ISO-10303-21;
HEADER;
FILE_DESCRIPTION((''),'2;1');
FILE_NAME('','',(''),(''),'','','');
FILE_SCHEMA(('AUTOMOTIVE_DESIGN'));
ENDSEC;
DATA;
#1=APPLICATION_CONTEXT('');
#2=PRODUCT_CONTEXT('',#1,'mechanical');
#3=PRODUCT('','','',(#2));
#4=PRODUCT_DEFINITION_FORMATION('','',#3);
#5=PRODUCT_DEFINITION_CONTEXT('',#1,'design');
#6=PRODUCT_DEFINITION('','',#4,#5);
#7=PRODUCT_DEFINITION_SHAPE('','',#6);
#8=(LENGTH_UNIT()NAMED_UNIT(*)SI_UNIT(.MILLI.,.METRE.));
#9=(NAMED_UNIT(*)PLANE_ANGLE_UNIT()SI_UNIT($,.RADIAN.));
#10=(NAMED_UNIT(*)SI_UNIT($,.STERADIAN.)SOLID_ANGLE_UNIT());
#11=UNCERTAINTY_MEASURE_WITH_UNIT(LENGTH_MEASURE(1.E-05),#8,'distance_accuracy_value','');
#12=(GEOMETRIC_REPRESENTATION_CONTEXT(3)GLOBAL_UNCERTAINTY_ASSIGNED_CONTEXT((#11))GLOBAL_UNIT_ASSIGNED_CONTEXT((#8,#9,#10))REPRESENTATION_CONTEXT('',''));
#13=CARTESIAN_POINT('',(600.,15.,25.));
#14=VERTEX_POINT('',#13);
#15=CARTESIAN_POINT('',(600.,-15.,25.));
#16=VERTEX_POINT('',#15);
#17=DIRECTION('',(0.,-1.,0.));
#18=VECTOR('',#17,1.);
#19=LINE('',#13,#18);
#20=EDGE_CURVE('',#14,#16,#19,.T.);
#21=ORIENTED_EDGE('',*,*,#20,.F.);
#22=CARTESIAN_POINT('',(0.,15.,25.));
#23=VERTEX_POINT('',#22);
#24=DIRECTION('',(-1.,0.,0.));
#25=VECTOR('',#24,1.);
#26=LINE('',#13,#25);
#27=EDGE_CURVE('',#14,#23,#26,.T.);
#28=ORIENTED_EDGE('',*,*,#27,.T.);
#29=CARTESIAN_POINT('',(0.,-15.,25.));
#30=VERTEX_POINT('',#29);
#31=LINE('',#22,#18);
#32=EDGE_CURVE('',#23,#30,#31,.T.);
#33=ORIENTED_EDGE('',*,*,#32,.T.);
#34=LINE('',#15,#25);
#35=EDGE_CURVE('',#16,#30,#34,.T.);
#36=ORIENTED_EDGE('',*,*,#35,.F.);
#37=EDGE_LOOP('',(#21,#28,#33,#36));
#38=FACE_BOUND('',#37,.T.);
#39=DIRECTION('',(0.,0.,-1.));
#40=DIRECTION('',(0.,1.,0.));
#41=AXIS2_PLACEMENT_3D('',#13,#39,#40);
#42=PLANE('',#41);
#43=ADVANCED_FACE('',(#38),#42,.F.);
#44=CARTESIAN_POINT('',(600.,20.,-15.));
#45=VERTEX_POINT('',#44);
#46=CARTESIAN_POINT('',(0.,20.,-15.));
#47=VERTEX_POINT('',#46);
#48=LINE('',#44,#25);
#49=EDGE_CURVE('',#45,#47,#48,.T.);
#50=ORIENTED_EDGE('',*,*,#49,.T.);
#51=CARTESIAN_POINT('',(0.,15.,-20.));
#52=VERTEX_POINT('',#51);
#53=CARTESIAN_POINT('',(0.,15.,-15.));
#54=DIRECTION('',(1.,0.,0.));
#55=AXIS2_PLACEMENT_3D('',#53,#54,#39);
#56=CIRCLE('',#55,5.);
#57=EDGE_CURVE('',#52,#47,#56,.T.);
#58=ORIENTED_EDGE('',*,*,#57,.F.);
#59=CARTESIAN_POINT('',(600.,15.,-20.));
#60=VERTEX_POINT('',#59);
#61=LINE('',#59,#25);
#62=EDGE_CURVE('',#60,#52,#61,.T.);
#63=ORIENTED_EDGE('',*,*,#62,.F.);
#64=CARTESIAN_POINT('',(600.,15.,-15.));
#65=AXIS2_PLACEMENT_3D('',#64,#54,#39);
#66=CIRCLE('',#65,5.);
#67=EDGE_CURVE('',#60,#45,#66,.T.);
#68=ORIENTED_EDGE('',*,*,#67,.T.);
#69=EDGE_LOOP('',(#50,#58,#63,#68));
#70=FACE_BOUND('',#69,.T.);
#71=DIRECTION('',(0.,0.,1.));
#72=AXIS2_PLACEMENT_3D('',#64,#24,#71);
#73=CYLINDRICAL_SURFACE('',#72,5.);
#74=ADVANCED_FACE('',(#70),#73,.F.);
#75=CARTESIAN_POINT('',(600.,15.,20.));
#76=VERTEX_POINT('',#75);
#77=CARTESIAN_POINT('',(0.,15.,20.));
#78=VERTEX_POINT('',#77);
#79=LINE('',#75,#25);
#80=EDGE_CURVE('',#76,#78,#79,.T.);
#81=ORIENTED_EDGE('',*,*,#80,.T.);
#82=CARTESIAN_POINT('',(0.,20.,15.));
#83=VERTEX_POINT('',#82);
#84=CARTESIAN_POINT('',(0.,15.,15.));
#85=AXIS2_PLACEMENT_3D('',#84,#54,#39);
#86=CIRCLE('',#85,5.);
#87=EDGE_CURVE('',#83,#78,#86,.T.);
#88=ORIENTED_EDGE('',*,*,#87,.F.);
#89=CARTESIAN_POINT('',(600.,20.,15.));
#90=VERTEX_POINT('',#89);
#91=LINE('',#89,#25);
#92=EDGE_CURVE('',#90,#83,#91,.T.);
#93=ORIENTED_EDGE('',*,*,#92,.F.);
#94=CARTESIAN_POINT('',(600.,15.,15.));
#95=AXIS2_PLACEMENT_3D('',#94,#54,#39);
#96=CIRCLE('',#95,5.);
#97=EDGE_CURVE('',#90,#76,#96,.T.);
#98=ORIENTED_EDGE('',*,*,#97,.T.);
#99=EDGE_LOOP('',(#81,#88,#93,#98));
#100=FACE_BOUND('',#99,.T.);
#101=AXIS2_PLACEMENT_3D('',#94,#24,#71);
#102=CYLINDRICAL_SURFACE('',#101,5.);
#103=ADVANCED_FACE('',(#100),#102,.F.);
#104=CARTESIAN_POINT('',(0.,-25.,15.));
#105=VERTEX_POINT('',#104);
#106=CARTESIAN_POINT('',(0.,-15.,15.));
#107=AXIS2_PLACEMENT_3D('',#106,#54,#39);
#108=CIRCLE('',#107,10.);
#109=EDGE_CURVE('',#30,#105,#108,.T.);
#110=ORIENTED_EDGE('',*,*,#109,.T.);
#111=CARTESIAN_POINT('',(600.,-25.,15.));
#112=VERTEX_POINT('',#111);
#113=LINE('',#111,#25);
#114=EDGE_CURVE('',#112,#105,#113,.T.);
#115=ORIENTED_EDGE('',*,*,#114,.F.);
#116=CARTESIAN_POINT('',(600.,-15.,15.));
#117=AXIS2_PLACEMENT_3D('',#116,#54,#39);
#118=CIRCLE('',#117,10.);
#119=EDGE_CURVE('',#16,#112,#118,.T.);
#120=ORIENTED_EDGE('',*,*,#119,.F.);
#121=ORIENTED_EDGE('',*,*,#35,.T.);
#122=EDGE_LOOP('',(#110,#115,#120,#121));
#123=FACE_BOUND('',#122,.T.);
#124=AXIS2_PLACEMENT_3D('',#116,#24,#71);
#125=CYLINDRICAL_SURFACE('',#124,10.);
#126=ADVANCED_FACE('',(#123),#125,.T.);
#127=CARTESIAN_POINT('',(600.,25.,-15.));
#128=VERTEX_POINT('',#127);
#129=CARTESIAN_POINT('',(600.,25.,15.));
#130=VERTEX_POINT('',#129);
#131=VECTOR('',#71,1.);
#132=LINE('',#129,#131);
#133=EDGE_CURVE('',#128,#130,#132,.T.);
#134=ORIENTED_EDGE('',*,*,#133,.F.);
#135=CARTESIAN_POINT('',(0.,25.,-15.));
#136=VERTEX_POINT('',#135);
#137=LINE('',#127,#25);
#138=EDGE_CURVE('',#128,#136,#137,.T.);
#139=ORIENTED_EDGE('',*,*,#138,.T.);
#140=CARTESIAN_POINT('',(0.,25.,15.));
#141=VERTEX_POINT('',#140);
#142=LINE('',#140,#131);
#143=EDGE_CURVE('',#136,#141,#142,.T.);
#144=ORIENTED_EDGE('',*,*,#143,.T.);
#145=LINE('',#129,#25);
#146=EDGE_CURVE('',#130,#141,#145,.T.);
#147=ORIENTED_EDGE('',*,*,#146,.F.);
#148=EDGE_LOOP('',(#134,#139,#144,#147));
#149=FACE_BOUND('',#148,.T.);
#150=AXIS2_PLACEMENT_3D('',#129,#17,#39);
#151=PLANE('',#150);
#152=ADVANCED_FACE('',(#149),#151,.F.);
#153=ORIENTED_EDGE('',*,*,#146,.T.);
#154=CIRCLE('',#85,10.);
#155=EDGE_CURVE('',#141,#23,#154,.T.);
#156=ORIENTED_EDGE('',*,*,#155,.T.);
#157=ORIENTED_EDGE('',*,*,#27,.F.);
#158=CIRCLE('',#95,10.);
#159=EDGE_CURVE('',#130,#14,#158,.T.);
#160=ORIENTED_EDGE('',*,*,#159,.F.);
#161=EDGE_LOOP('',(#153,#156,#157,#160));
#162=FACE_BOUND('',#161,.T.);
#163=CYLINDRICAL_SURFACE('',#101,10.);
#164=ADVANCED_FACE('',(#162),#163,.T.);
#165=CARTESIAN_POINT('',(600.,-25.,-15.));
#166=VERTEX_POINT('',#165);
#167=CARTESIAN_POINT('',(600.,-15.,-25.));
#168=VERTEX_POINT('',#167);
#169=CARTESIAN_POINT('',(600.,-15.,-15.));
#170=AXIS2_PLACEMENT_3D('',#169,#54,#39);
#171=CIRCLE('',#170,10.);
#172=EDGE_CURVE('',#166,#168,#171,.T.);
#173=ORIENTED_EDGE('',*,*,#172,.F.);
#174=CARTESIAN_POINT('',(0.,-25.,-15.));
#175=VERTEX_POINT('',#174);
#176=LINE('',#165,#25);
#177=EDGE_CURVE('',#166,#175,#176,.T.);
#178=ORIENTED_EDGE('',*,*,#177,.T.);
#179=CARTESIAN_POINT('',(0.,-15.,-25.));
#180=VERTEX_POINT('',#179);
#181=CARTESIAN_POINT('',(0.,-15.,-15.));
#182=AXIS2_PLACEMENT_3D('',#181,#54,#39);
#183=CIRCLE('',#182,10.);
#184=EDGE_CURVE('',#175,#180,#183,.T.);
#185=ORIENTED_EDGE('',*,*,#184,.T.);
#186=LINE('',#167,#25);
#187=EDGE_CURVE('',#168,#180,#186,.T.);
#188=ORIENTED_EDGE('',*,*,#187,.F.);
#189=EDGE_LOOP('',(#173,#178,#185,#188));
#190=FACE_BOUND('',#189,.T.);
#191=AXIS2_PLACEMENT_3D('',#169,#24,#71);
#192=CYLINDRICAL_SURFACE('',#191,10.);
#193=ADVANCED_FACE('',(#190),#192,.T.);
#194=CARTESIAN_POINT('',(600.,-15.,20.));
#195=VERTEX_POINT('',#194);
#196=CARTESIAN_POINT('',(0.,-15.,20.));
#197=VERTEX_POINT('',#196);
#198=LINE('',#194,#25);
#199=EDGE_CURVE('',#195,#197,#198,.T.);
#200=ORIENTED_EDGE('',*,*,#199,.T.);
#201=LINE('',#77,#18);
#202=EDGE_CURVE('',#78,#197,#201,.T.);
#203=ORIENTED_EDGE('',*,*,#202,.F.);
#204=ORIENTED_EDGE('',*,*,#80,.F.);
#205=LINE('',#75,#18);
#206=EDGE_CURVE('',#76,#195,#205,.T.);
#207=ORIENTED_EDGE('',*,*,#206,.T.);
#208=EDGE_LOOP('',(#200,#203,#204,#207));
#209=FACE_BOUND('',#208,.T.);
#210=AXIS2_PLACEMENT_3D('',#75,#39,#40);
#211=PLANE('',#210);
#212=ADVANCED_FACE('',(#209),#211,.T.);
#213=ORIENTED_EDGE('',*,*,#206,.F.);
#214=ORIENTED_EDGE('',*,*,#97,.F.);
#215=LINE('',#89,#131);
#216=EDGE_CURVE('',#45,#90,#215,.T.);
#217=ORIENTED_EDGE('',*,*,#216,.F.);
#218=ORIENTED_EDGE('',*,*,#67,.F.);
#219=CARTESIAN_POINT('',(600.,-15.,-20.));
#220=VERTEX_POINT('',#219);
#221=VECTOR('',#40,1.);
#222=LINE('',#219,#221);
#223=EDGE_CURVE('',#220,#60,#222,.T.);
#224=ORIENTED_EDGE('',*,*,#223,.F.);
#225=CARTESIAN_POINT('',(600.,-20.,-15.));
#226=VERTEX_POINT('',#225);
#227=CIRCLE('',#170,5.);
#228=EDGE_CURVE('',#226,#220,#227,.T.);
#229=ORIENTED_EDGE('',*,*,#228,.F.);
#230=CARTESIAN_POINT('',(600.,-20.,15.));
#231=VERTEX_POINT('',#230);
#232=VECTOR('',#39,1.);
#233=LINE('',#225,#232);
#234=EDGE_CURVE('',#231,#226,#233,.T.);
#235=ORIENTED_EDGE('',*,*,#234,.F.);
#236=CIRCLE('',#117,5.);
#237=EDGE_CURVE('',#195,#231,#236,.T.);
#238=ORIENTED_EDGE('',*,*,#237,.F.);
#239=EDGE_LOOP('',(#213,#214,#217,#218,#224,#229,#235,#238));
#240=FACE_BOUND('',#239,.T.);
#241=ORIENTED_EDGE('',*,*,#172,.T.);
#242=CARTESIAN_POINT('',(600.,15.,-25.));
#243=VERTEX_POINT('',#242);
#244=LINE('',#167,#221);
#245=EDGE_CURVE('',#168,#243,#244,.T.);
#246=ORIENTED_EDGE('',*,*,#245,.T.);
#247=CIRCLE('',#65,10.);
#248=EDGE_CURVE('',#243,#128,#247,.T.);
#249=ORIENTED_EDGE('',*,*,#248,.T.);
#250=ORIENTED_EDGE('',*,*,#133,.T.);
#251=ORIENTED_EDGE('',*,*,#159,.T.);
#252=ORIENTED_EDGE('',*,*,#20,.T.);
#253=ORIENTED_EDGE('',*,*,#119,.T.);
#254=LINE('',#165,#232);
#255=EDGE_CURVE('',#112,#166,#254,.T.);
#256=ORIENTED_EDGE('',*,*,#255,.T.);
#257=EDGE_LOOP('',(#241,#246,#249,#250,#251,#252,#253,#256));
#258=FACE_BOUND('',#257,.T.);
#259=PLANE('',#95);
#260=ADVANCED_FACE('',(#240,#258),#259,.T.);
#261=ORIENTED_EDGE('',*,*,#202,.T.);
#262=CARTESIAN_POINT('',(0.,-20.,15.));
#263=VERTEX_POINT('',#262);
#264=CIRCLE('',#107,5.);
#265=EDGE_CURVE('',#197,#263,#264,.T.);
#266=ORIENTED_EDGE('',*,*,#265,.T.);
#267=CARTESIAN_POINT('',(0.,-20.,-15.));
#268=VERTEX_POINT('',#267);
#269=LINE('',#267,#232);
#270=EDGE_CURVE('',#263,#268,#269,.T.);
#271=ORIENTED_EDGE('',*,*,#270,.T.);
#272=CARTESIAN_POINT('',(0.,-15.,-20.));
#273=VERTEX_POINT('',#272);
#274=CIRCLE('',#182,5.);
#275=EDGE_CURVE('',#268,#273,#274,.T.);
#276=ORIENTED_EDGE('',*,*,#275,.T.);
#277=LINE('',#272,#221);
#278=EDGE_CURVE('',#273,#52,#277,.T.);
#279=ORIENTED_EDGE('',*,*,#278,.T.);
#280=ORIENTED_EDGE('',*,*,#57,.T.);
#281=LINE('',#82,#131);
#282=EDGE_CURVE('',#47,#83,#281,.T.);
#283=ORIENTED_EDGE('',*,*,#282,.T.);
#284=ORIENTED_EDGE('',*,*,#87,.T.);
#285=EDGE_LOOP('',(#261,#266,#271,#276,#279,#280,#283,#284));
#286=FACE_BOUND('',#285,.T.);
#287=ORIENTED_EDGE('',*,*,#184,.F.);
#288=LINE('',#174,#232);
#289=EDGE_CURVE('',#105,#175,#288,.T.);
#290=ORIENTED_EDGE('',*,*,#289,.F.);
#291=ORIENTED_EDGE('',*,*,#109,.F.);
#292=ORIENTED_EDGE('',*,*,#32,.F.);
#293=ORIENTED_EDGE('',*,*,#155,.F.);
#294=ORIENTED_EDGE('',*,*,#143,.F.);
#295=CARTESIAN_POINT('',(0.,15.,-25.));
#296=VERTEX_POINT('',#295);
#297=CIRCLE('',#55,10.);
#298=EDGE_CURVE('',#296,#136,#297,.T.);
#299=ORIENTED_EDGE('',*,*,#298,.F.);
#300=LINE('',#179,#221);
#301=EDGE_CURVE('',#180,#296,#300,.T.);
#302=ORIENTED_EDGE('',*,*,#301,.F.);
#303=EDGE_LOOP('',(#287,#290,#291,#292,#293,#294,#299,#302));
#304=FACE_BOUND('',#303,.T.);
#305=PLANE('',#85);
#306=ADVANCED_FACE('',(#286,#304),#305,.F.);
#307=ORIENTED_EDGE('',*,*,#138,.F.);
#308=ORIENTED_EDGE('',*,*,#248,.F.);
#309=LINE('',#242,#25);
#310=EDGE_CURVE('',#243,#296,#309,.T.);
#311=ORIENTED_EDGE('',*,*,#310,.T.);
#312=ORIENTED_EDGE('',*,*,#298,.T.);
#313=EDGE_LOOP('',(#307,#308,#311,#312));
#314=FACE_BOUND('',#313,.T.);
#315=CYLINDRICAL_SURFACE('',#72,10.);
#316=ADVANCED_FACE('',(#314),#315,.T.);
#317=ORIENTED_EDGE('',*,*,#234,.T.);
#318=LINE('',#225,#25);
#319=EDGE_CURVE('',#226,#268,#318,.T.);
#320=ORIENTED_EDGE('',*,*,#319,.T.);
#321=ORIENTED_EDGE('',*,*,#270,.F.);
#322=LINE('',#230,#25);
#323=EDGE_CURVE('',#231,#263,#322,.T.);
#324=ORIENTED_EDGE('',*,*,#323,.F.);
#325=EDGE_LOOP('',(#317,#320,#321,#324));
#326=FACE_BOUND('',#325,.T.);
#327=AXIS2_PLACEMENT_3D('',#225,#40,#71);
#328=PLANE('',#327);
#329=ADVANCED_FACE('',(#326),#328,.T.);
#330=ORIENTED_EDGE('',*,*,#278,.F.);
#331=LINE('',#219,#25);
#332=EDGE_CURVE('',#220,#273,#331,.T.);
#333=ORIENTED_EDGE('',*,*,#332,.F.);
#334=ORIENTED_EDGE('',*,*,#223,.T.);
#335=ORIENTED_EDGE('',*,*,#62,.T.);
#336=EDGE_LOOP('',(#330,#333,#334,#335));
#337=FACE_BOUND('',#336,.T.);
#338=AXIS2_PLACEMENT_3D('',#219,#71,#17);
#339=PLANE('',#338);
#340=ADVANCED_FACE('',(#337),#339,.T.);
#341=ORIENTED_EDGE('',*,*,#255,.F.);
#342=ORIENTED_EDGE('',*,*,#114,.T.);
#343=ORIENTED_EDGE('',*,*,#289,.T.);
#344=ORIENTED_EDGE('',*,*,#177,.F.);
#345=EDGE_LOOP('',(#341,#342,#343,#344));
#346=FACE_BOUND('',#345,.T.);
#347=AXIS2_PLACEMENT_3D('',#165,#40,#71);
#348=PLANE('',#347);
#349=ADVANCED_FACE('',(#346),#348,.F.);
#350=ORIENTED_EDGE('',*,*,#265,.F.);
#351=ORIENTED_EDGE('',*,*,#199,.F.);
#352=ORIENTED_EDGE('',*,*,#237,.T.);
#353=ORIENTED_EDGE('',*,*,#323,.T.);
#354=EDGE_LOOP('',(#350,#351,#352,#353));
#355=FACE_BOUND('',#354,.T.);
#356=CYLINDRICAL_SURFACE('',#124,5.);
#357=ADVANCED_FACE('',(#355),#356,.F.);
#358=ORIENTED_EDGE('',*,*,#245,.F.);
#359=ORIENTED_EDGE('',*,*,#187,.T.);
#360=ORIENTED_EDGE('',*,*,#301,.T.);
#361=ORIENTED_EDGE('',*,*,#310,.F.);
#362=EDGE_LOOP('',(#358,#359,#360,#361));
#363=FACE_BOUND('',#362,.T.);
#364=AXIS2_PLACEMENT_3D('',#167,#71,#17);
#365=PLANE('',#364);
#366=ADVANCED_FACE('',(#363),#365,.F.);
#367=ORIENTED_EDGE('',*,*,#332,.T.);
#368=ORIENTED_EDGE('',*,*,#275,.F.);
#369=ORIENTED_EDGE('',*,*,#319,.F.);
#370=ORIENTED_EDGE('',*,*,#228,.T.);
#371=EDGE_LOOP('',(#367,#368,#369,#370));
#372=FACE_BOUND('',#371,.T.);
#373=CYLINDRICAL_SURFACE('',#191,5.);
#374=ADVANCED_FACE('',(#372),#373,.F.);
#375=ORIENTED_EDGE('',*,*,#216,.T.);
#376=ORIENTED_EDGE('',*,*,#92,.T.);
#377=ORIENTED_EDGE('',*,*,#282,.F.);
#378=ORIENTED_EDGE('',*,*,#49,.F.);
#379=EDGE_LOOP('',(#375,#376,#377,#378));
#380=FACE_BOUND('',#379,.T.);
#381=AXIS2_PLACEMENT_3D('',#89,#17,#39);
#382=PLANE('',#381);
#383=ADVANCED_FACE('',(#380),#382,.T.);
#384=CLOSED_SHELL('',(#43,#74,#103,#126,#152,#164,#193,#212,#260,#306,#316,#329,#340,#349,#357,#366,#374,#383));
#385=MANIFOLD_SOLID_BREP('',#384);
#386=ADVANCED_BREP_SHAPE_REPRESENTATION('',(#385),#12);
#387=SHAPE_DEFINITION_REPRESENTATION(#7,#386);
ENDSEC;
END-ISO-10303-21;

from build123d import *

# Parameters (mm, degrees)
TUBE_SQUARE_RHS50X50X5_1_DEPTH = 600


with BuildPart() as part:
    # Sketch1 → Tube (square) RHS50X50X5(1) (new body)
    with BuildSketch(Plane.YZ):
        with BuildLine():
            Line((-15, -25), (15, -25))
            ThreePointArc((15, -25), (22.071067812, -22.071067812), (25, -15))
            Line((25, -15), (25, 15))
            ThreePointArc((25, 15), (22.071067812, 22.071067812), (15, 25))
            Line((15, 25), (-15, 25))
            ThreePointArc((-15, 25), (-22.071067812, 22.071067812), (-25, 15))
            Line((-25, 15), (-25, -15))
            ThreePointArc((-25, -15), (-22.071067812, -22.071067812), (-15, -25))
        make_face()
        with BuildLine():
            Line((-15, -20), (15, -20))
            ThreePointArc((15, -20), (18.535533906, -18.535533906), (20, -15))
            Line((20, -15), (20, 15))
            ThreePointArc((20, 15), (18.535533906, 18.535533906), (15, 20))
            Line((15, 20), (-15, 20))
            ThreePointArc((-15, 20), (-18.535533906, 18.535533906), (-20, 15))
            Line((-20, 15), (-20, -15))
            ThreePointArc((-20, -15), (-18.535533906, -18.535533906), (-15, -20))
        make_face(mode=Mode.SUBTRACT)
    extrude(amount=TUBE_SQUARE_RHS50X50X5_1_DEPTH)


solid = part.part
